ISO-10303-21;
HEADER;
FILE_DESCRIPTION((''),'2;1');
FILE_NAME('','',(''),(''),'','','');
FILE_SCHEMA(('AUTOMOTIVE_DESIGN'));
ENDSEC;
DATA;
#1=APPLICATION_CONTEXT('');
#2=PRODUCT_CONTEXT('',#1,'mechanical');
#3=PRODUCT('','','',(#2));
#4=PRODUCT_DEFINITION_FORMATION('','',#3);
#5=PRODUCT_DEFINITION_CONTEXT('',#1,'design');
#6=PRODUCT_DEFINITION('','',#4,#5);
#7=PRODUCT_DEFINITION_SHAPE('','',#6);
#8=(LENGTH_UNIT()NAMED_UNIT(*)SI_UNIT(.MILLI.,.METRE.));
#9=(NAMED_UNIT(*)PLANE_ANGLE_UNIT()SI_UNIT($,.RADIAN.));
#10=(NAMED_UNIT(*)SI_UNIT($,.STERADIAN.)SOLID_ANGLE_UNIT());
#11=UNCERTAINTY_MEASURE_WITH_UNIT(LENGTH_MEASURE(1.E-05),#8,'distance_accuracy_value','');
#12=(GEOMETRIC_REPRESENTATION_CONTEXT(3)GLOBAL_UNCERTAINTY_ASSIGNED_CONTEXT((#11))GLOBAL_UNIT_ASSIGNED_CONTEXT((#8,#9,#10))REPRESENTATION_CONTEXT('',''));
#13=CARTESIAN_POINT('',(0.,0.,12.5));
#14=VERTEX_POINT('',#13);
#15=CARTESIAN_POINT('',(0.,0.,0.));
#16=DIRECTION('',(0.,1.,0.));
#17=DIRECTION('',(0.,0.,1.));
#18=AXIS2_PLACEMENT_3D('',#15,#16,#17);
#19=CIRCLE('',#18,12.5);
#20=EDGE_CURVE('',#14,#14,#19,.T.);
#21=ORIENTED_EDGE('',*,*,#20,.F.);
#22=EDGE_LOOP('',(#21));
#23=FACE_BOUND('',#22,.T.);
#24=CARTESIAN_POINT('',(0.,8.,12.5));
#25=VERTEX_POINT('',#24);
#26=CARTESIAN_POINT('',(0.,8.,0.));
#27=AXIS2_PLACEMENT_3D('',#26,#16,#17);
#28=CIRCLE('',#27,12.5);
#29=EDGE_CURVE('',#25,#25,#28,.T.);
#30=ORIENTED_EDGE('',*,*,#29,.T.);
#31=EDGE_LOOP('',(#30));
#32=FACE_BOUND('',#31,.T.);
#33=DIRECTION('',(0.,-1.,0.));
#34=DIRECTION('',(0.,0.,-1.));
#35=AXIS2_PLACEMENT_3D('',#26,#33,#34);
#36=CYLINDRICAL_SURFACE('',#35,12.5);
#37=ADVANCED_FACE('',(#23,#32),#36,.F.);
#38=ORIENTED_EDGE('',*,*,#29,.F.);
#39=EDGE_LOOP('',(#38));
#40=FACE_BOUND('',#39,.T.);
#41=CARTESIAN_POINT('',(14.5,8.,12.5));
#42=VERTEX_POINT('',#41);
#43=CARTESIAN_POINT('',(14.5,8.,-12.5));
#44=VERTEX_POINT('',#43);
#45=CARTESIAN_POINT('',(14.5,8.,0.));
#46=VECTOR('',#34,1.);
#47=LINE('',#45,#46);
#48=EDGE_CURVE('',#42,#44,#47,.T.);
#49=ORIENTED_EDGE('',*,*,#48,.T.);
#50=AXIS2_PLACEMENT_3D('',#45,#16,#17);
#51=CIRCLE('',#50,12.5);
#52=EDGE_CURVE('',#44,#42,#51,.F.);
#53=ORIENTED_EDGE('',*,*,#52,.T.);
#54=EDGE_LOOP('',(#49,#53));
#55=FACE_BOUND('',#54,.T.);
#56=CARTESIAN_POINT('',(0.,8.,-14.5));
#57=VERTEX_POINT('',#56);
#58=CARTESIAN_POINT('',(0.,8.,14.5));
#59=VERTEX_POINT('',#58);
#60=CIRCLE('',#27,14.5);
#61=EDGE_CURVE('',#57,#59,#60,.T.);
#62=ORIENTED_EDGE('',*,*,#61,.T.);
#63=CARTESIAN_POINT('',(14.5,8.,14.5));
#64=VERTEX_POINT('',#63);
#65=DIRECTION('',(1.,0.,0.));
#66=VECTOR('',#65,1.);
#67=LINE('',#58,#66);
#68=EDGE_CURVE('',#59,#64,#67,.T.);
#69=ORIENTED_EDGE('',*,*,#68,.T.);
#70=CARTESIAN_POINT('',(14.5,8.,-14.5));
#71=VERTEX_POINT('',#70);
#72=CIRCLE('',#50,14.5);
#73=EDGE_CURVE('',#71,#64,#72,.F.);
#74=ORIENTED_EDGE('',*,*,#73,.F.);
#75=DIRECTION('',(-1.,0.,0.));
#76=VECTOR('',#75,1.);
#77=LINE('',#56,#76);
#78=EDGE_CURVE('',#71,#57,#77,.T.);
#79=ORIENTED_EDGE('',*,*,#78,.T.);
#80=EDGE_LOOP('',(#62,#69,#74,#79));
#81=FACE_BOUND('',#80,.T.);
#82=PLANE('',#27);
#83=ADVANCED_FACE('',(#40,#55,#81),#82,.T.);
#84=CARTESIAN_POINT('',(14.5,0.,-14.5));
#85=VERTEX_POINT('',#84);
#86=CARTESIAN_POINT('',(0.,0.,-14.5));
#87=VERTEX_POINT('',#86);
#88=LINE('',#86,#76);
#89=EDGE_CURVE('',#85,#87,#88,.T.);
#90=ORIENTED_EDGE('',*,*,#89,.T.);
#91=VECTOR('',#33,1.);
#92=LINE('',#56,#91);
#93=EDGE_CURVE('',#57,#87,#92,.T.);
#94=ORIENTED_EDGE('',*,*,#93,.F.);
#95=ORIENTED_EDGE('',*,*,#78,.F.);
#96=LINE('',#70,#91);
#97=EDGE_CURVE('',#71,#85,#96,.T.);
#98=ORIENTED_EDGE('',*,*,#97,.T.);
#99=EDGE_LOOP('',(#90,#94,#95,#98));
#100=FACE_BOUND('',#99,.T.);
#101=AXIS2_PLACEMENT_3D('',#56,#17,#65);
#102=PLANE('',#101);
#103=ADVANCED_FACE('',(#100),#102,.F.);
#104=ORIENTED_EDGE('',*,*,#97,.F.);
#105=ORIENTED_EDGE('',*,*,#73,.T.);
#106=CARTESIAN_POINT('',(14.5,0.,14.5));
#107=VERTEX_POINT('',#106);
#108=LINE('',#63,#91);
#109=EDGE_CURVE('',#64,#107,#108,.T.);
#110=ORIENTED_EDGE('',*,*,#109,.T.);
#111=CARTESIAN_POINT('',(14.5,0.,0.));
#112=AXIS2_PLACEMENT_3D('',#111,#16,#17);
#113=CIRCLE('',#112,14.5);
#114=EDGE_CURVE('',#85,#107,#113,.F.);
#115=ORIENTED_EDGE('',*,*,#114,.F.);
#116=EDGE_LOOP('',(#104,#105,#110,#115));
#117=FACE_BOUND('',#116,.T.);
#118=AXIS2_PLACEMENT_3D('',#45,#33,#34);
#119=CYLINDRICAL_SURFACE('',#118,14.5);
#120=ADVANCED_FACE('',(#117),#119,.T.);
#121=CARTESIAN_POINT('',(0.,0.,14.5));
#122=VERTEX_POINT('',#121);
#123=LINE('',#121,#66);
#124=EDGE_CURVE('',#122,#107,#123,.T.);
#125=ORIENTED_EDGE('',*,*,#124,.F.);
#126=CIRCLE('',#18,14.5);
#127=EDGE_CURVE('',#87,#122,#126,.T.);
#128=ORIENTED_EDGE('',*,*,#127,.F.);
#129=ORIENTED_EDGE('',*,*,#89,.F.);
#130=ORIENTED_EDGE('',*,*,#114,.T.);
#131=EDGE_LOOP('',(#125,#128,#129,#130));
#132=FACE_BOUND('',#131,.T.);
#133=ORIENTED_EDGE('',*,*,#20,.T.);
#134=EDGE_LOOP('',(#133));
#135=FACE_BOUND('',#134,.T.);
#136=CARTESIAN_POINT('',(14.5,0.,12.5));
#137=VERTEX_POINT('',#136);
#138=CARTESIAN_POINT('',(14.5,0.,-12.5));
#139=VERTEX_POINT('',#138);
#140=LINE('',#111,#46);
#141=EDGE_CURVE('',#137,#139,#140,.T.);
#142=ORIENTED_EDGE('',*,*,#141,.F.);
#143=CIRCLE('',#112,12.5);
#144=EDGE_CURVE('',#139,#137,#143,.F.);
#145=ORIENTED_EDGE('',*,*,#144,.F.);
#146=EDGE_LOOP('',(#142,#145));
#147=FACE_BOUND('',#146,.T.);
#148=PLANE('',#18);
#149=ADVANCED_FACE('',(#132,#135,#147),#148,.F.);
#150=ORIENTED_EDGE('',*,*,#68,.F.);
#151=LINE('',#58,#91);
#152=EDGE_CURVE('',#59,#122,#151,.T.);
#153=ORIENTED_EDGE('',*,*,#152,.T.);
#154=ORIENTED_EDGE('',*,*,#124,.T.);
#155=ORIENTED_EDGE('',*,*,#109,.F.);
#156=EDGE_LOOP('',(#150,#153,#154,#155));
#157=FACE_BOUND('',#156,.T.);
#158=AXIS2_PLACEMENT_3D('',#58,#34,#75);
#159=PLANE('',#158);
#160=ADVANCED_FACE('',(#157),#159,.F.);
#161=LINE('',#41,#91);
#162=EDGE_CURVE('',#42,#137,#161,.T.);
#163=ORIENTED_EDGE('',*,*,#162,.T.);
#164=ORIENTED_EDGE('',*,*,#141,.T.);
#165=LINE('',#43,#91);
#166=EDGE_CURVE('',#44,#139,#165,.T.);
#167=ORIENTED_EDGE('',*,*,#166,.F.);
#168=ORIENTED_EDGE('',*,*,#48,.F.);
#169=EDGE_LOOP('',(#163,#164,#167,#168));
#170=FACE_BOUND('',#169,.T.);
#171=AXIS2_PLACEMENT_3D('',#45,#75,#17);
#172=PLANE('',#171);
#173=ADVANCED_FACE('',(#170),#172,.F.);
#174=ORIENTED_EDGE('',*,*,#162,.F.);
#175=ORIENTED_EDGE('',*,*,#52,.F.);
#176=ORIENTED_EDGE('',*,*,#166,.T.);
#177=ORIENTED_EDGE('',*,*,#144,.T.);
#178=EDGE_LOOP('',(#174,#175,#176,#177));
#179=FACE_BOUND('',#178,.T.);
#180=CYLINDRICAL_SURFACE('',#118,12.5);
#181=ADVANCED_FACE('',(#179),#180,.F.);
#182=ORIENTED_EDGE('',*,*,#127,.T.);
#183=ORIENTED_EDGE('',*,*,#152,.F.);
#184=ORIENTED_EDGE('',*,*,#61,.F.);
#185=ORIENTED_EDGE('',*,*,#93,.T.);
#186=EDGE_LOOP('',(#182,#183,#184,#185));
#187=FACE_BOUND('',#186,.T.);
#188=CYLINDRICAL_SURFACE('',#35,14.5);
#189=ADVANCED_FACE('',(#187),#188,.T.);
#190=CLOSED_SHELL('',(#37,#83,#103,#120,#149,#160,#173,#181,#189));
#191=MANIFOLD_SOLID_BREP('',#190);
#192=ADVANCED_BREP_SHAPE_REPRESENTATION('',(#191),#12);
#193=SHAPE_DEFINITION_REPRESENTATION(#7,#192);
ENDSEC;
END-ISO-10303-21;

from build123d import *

# Parameters (mm, degrees)
SKETCH_1_R      = 12.5
EXTRUDE_1_DEPTH = 8
EXTRUDE_2_DEPTH = 8


with BuildPart() as part:
    # 草图1 → 凸台-拉伸1 (new body)
    with BuildSketch(Plane(origin=(0, 0, 0), x_dir=(1, 0, 0), z_dir=(0, 1, 0))):
        with BuildLine():
            ThreePointArc((0, 14.5), (-14.5, 0), (0, -14.5))
            Line((0, -14.5), (14.5, -14.5))
            Line((14.5, -14.5), (14.5, -12.5))
            Line((14.5, -12.5), (14.5, 12.5))
            Line((14.5, 12.5), (14.5, 14.5))
            Line((14.5, 14.5), (0, 14.5))
        make_face()
        Circle(SKETCH_1_R, mode=Mode.SUBTRACT)
    extrude(amount=EXTRUDE_1_DEPTH)

    # 草图1<3> → 凸台-拉伸2 (add)
    with BuildSketch(Plane(origin=(0, 0, 0), x_dir=(1, 0, 0), z_dir=(0, 1, 0))):
        with BuildLine():
            Line((14.5, -12.5), (14.5, -14.5))
            ThreePointArc((14.5, -14.5), (29, 0), (14.5, 14.5))
            Line((14.5, 14.5), (14.5, 12.5))
            ThreePointArc((14.5, 12.5), (27, 0), (14.5, -12.5))
        make_face()
    extrude(amount=EXTRUDE_2_DEPTH)


solid = part.part
